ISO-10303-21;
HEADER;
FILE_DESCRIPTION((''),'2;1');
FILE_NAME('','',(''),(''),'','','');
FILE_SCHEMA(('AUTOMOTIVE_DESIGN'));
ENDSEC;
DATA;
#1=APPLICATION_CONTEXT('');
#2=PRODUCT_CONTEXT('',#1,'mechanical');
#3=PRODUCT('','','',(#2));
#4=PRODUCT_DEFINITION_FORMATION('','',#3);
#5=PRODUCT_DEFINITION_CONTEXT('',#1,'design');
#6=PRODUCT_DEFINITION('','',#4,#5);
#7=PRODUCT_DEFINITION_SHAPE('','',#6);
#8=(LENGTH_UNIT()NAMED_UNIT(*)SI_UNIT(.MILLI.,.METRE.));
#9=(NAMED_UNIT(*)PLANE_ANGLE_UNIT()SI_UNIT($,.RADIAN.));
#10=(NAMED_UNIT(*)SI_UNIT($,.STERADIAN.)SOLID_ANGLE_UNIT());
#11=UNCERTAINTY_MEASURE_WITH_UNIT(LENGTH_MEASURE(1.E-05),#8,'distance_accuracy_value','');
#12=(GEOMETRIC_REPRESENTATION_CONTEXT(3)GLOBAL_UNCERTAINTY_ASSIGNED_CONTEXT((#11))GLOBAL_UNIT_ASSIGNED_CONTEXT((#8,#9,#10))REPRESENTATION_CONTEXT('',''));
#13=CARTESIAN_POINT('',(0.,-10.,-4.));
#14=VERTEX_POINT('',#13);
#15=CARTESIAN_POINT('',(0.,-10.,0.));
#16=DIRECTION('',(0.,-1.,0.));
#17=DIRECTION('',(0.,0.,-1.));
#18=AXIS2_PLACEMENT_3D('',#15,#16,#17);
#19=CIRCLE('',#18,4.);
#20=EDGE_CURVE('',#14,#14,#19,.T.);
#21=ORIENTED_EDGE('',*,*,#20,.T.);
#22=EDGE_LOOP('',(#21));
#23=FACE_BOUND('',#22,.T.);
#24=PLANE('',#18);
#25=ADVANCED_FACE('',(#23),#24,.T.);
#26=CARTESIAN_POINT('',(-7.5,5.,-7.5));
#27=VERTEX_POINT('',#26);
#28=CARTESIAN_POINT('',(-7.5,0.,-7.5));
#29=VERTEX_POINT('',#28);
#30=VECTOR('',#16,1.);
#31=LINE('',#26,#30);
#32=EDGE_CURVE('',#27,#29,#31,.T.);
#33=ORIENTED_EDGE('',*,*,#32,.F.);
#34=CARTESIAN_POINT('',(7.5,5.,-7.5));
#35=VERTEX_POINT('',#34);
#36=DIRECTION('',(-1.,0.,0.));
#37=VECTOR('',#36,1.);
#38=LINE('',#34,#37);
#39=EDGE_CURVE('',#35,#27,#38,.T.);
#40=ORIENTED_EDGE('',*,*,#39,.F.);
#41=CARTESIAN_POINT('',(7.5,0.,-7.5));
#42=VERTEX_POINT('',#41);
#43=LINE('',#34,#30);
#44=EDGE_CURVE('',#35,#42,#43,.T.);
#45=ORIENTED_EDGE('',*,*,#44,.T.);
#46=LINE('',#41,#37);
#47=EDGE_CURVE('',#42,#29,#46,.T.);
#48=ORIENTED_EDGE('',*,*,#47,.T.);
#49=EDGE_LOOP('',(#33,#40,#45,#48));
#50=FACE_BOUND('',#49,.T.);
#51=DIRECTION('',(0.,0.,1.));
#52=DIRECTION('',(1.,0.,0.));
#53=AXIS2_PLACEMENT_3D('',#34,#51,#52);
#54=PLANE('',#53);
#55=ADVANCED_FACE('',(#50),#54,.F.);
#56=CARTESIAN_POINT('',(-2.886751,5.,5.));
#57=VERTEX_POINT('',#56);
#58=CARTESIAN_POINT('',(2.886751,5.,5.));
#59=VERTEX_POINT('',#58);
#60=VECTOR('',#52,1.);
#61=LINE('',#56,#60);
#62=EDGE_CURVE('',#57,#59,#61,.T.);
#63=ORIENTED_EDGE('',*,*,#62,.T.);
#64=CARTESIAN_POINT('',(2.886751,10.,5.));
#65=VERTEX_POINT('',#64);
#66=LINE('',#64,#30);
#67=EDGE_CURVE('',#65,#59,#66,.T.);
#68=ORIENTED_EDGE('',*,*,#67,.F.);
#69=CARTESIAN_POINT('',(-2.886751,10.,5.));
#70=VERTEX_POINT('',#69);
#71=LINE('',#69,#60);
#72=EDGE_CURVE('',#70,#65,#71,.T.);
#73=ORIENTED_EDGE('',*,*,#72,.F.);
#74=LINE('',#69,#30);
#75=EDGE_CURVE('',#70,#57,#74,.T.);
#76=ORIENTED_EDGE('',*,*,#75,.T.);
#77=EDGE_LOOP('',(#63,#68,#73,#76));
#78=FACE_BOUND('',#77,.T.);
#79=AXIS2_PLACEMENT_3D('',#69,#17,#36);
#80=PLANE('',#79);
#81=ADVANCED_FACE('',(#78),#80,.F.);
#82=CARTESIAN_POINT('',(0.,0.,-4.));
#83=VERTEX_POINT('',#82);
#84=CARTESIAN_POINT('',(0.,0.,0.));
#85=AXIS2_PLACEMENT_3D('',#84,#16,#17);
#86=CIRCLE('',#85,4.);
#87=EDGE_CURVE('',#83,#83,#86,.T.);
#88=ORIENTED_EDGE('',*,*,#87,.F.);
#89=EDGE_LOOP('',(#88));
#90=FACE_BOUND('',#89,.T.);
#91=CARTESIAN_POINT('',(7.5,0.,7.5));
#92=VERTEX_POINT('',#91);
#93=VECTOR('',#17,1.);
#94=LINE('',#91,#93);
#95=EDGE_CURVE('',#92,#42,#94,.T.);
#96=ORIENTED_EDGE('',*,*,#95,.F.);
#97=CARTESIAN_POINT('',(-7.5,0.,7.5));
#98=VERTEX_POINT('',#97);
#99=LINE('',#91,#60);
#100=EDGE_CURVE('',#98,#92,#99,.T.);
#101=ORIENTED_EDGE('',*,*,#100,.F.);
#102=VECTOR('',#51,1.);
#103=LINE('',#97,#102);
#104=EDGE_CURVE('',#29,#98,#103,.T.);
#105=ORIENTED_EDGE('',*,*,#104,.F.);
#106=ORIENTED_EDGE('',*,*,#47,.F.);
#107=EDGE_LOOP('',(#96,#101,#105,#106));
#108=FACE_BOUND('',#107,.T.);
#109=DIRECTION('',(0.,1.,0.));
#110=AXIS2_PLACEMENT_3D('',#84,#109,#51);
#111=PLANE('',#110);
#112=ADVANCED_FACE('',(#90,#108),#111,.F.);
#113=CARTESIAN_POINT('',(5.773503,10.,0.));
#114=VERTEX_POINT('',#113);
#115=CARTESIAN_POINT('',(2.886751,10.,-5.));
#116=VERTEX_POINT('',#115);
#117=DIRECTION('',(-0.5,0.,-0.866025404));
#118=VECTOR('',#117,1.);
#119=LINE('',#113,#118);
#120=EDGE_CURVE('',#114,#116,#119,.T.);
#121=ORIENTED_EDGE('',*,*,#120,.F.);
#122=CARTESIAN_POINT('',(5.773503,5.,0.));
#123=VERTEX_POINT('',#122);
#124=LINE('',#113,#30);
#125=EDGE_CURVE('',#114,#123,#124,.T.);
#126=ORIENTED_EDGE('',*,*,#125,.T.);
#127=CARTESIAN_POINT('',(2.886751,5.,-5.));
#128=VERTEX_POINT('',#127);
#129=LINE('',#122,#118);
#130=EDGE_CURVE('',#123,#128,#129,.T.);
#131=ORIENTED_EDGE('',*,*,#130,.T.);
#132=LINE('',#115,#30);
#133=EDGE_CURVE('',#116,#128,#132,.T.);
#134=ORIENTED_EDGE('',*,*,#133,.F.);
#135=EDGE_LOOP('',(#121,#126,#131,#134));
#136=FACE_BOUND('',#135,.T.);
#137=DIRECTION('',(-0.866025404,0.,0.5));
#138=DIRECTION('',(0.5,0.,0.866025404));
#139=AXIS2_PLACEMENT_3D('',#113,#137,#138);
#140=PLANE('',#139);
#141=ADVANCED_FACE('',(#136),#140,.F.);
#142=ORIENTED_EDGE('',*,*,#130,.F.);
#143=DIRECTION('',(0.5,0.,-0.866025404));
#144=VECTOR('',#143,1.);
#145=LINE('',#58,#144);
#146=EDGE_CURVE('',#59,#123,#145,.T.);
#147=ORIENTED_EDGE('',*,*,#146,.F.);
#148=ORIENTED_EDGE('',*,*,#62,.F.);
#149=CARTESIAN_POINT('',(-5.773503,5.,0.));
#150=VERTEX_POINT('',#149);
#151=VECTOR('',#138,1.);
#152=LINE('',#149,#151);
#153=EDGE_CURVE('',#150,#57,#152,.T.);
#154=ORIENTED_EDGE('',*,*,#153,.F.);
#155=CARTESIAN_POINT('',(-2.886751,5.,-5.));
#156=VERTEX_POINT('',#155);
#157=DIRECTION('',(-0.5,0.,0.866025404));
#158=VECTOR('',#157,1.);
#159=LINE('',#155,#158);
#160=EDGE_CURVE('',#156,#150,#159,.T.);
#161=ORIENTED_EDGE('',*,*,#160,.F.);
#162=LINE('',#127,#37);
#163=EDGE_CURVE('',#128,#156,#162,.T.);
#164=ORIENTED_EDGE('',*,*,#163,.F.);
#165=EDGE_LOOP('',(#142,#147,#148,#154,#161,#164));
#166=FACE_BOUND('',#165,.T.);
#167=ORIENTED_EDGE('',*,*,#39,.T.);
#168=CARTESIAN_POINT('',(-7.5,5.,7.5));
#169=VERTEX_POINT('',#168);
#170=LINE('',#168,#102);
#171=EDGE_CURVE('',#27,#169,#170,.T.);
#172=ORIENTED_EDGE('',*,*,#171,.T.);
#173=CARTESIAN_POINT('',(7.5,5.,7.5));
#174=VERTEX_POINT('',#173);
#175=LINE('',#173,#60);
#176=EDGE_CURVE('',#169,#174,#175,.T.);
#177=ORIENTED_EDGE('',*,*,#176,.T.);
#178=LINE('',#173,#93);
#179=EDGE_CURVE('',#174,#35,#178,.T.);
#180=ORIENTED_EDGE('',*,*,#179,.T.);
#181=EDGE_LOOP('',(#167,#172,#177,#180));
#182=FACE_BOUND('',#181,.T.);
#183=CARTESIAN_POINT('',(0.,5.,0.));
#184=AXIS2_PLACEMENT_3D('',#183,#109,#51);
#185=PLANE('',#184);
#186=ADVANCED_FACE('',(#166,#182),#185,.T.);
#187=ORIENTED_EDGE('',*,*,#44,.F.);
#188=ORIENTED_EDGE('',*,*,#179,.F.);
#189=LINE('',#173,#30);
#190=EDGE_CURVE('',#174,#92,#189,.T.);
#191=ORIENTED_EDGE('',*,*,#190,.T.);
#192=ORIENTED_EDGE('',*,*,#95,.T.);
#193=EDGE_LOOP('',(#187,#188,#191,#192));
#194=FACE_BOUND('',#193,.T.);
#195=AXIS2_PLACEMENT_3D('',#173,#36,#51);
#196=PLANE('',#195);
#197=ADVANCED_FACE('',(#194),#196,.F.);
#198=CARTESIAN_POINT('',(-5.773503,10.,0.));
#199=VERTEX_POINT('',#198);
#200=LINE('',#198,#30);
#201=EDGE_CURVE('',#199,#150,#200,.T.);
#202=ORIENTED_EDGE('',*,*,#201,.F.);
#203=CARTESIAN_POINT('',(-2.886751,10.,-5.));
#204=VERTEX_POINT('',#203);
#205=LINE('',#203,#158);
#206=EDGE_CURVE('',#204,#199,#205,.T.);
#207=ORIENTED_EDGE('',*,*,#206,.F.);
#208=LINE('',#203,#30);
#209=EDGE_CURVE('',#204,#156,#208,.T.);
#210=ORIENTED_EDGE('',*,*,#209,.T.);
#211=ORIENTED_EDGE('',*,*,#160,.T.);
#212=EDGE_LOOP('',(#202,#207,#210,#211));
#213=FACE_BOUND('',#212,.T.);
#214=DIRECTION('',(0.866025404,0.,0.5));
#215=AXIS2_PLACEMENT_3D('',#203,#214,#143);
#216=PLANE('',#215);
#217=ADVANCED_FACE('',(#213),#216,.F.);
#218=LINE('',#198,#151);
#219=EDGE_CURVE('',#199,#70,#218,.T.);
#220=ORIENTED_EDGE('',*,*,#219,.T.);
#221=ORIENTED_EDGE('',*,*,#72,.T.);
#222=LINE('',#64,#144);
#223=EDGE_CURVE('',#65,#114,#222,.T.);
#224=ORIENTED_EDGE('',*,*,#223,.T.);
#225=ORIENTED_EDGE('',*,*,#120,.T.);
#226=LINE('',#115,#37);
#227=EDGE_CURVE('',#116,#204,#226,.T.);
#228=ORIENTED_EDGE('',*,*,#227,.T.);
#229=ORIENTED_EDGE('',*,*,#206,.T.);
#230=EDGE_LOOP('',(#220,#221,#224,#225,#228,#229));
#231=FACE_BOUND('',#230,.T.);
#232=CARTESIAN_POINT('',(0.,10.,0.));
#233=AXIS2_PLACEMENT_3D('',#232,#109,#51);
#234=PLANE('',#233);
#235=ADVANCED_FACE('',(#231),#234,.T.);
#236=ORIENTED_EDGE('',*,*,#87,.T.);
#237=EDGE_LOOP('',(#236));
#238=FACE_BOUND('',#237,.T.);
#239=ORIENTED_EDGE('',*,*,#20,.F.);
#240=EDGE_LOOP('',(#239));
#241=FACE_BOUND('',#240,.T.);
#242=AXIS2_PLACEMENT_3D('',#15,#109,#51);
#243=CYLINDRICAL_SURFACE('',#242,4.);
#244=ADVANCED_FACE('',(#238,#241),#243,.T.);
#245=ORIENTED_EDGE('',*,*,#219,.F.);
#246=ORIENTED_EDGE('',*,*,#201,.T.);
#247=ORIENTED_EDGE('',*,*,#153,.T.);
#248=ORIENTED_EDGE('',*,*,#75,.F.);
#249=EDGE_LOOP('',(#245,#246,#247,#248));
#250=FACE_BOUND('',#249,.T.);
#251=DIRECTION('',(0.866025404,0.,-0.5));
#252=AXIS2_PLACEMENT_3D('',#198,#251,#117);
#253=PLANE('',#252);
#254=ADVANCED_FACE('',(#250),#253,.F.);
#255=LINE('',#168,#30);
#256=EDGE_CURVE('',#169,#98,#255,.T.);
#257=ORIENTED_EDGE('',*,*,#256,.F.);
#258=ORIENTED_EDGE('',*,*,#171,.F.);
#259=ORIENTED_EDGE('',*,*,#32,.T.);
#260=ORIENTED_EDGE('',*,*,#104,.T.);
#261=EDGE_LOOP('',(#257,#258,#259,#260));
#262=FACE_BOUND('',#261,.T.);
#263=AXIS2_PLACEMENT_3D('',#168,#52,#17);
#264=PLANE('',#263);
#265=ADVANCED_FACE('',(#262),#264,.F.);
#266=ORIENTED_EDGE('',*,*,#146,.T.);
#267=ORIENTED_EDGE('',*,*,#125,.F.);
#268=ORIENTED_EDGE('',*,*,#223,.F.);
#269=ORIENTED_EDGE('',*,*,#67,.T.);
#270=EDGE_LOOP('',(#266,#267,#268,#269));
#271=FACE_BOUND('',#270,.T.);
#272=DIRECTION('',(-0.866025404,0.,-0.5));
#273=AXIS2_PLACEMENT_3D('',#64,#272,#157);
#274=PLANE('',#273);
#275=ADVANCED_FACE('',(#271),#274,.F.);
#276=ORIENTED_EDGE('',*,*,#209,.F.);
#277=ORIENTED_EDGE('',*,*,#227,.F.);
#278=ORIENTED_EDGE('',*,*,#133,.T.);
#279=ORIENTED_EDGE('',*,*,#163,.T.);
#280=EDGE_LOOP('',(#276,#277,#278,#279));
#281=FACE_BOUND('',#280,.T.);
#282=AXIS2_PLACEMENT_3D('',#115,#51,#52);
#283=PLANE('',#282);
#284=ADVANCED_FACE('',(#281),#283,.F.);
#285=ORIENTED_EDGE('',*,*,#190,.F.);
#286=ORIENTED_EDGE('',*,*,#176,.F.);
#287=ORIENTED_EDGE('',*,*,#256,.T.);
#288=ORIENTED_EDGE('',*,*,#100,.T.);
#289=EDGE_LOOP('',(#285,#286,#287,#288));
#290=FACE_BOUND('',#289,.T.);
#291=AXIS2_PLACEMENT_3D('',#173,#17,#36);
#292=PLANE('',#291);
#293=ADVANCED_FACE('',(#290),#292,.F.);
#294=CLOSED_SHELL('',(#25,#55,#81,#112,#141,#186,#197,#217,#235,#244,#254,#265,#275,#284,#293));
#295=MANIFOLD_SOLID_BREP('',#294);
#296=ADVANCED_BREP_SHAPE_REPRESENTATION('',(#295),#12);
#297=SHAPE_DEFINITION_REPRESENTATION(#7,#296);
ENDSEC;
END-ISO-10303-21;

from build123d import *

# Parameters (mm, degrees)
SKETCH1_W           = 15
SKETCH1_H           = 15
BOSS_EXTRUDE1_DEPTH = 5
BOSS_EXTRUDE2_DEPTH = 5
SKETCH3_R           = 4
BOSS_EXTRUDE3_DEPTH = 10


with BuildPart() as part:
    # Sketch1 → Boss-Extrude1 (new body)
    with BuildSketch(Plane(origin=(0, 0, 0), x_dir=(1, 0, 0), z_dir=(0, 1, 0))):
        Rectangle(SKETCH1_W, SKETCH1_H)
    extrude(amount=BOSS_EXTRUDE1_DEPTH)

    # Sketch2 → Boss-Extrude2 (add)
    with BuildSketch(Plane(origin=(0, 5, 0), x_dir=(1, 0, 0), z_dir=(0, 1, 0))):
        Polygon((-2.886751346, 5), (-5.773502692, 0), (-2.886751346, -5), (2.886751346, -5), (5.773502692, 0), (2.886751346, 5), align=None)
    extrude(amount=BOSS_EXTRUDE2_DEPTH)

    # Sketch3 → Boss-Extrude3 (add)
    with BuildSketch(Plane.XZ):
        with Locations(Location((0, 0, 0), (0, 0, 270))):
            Circle(SKETCH3_R)
    extrude(amount=BOSS_EXTRUDE3_DEPTH)


solid = part.part
